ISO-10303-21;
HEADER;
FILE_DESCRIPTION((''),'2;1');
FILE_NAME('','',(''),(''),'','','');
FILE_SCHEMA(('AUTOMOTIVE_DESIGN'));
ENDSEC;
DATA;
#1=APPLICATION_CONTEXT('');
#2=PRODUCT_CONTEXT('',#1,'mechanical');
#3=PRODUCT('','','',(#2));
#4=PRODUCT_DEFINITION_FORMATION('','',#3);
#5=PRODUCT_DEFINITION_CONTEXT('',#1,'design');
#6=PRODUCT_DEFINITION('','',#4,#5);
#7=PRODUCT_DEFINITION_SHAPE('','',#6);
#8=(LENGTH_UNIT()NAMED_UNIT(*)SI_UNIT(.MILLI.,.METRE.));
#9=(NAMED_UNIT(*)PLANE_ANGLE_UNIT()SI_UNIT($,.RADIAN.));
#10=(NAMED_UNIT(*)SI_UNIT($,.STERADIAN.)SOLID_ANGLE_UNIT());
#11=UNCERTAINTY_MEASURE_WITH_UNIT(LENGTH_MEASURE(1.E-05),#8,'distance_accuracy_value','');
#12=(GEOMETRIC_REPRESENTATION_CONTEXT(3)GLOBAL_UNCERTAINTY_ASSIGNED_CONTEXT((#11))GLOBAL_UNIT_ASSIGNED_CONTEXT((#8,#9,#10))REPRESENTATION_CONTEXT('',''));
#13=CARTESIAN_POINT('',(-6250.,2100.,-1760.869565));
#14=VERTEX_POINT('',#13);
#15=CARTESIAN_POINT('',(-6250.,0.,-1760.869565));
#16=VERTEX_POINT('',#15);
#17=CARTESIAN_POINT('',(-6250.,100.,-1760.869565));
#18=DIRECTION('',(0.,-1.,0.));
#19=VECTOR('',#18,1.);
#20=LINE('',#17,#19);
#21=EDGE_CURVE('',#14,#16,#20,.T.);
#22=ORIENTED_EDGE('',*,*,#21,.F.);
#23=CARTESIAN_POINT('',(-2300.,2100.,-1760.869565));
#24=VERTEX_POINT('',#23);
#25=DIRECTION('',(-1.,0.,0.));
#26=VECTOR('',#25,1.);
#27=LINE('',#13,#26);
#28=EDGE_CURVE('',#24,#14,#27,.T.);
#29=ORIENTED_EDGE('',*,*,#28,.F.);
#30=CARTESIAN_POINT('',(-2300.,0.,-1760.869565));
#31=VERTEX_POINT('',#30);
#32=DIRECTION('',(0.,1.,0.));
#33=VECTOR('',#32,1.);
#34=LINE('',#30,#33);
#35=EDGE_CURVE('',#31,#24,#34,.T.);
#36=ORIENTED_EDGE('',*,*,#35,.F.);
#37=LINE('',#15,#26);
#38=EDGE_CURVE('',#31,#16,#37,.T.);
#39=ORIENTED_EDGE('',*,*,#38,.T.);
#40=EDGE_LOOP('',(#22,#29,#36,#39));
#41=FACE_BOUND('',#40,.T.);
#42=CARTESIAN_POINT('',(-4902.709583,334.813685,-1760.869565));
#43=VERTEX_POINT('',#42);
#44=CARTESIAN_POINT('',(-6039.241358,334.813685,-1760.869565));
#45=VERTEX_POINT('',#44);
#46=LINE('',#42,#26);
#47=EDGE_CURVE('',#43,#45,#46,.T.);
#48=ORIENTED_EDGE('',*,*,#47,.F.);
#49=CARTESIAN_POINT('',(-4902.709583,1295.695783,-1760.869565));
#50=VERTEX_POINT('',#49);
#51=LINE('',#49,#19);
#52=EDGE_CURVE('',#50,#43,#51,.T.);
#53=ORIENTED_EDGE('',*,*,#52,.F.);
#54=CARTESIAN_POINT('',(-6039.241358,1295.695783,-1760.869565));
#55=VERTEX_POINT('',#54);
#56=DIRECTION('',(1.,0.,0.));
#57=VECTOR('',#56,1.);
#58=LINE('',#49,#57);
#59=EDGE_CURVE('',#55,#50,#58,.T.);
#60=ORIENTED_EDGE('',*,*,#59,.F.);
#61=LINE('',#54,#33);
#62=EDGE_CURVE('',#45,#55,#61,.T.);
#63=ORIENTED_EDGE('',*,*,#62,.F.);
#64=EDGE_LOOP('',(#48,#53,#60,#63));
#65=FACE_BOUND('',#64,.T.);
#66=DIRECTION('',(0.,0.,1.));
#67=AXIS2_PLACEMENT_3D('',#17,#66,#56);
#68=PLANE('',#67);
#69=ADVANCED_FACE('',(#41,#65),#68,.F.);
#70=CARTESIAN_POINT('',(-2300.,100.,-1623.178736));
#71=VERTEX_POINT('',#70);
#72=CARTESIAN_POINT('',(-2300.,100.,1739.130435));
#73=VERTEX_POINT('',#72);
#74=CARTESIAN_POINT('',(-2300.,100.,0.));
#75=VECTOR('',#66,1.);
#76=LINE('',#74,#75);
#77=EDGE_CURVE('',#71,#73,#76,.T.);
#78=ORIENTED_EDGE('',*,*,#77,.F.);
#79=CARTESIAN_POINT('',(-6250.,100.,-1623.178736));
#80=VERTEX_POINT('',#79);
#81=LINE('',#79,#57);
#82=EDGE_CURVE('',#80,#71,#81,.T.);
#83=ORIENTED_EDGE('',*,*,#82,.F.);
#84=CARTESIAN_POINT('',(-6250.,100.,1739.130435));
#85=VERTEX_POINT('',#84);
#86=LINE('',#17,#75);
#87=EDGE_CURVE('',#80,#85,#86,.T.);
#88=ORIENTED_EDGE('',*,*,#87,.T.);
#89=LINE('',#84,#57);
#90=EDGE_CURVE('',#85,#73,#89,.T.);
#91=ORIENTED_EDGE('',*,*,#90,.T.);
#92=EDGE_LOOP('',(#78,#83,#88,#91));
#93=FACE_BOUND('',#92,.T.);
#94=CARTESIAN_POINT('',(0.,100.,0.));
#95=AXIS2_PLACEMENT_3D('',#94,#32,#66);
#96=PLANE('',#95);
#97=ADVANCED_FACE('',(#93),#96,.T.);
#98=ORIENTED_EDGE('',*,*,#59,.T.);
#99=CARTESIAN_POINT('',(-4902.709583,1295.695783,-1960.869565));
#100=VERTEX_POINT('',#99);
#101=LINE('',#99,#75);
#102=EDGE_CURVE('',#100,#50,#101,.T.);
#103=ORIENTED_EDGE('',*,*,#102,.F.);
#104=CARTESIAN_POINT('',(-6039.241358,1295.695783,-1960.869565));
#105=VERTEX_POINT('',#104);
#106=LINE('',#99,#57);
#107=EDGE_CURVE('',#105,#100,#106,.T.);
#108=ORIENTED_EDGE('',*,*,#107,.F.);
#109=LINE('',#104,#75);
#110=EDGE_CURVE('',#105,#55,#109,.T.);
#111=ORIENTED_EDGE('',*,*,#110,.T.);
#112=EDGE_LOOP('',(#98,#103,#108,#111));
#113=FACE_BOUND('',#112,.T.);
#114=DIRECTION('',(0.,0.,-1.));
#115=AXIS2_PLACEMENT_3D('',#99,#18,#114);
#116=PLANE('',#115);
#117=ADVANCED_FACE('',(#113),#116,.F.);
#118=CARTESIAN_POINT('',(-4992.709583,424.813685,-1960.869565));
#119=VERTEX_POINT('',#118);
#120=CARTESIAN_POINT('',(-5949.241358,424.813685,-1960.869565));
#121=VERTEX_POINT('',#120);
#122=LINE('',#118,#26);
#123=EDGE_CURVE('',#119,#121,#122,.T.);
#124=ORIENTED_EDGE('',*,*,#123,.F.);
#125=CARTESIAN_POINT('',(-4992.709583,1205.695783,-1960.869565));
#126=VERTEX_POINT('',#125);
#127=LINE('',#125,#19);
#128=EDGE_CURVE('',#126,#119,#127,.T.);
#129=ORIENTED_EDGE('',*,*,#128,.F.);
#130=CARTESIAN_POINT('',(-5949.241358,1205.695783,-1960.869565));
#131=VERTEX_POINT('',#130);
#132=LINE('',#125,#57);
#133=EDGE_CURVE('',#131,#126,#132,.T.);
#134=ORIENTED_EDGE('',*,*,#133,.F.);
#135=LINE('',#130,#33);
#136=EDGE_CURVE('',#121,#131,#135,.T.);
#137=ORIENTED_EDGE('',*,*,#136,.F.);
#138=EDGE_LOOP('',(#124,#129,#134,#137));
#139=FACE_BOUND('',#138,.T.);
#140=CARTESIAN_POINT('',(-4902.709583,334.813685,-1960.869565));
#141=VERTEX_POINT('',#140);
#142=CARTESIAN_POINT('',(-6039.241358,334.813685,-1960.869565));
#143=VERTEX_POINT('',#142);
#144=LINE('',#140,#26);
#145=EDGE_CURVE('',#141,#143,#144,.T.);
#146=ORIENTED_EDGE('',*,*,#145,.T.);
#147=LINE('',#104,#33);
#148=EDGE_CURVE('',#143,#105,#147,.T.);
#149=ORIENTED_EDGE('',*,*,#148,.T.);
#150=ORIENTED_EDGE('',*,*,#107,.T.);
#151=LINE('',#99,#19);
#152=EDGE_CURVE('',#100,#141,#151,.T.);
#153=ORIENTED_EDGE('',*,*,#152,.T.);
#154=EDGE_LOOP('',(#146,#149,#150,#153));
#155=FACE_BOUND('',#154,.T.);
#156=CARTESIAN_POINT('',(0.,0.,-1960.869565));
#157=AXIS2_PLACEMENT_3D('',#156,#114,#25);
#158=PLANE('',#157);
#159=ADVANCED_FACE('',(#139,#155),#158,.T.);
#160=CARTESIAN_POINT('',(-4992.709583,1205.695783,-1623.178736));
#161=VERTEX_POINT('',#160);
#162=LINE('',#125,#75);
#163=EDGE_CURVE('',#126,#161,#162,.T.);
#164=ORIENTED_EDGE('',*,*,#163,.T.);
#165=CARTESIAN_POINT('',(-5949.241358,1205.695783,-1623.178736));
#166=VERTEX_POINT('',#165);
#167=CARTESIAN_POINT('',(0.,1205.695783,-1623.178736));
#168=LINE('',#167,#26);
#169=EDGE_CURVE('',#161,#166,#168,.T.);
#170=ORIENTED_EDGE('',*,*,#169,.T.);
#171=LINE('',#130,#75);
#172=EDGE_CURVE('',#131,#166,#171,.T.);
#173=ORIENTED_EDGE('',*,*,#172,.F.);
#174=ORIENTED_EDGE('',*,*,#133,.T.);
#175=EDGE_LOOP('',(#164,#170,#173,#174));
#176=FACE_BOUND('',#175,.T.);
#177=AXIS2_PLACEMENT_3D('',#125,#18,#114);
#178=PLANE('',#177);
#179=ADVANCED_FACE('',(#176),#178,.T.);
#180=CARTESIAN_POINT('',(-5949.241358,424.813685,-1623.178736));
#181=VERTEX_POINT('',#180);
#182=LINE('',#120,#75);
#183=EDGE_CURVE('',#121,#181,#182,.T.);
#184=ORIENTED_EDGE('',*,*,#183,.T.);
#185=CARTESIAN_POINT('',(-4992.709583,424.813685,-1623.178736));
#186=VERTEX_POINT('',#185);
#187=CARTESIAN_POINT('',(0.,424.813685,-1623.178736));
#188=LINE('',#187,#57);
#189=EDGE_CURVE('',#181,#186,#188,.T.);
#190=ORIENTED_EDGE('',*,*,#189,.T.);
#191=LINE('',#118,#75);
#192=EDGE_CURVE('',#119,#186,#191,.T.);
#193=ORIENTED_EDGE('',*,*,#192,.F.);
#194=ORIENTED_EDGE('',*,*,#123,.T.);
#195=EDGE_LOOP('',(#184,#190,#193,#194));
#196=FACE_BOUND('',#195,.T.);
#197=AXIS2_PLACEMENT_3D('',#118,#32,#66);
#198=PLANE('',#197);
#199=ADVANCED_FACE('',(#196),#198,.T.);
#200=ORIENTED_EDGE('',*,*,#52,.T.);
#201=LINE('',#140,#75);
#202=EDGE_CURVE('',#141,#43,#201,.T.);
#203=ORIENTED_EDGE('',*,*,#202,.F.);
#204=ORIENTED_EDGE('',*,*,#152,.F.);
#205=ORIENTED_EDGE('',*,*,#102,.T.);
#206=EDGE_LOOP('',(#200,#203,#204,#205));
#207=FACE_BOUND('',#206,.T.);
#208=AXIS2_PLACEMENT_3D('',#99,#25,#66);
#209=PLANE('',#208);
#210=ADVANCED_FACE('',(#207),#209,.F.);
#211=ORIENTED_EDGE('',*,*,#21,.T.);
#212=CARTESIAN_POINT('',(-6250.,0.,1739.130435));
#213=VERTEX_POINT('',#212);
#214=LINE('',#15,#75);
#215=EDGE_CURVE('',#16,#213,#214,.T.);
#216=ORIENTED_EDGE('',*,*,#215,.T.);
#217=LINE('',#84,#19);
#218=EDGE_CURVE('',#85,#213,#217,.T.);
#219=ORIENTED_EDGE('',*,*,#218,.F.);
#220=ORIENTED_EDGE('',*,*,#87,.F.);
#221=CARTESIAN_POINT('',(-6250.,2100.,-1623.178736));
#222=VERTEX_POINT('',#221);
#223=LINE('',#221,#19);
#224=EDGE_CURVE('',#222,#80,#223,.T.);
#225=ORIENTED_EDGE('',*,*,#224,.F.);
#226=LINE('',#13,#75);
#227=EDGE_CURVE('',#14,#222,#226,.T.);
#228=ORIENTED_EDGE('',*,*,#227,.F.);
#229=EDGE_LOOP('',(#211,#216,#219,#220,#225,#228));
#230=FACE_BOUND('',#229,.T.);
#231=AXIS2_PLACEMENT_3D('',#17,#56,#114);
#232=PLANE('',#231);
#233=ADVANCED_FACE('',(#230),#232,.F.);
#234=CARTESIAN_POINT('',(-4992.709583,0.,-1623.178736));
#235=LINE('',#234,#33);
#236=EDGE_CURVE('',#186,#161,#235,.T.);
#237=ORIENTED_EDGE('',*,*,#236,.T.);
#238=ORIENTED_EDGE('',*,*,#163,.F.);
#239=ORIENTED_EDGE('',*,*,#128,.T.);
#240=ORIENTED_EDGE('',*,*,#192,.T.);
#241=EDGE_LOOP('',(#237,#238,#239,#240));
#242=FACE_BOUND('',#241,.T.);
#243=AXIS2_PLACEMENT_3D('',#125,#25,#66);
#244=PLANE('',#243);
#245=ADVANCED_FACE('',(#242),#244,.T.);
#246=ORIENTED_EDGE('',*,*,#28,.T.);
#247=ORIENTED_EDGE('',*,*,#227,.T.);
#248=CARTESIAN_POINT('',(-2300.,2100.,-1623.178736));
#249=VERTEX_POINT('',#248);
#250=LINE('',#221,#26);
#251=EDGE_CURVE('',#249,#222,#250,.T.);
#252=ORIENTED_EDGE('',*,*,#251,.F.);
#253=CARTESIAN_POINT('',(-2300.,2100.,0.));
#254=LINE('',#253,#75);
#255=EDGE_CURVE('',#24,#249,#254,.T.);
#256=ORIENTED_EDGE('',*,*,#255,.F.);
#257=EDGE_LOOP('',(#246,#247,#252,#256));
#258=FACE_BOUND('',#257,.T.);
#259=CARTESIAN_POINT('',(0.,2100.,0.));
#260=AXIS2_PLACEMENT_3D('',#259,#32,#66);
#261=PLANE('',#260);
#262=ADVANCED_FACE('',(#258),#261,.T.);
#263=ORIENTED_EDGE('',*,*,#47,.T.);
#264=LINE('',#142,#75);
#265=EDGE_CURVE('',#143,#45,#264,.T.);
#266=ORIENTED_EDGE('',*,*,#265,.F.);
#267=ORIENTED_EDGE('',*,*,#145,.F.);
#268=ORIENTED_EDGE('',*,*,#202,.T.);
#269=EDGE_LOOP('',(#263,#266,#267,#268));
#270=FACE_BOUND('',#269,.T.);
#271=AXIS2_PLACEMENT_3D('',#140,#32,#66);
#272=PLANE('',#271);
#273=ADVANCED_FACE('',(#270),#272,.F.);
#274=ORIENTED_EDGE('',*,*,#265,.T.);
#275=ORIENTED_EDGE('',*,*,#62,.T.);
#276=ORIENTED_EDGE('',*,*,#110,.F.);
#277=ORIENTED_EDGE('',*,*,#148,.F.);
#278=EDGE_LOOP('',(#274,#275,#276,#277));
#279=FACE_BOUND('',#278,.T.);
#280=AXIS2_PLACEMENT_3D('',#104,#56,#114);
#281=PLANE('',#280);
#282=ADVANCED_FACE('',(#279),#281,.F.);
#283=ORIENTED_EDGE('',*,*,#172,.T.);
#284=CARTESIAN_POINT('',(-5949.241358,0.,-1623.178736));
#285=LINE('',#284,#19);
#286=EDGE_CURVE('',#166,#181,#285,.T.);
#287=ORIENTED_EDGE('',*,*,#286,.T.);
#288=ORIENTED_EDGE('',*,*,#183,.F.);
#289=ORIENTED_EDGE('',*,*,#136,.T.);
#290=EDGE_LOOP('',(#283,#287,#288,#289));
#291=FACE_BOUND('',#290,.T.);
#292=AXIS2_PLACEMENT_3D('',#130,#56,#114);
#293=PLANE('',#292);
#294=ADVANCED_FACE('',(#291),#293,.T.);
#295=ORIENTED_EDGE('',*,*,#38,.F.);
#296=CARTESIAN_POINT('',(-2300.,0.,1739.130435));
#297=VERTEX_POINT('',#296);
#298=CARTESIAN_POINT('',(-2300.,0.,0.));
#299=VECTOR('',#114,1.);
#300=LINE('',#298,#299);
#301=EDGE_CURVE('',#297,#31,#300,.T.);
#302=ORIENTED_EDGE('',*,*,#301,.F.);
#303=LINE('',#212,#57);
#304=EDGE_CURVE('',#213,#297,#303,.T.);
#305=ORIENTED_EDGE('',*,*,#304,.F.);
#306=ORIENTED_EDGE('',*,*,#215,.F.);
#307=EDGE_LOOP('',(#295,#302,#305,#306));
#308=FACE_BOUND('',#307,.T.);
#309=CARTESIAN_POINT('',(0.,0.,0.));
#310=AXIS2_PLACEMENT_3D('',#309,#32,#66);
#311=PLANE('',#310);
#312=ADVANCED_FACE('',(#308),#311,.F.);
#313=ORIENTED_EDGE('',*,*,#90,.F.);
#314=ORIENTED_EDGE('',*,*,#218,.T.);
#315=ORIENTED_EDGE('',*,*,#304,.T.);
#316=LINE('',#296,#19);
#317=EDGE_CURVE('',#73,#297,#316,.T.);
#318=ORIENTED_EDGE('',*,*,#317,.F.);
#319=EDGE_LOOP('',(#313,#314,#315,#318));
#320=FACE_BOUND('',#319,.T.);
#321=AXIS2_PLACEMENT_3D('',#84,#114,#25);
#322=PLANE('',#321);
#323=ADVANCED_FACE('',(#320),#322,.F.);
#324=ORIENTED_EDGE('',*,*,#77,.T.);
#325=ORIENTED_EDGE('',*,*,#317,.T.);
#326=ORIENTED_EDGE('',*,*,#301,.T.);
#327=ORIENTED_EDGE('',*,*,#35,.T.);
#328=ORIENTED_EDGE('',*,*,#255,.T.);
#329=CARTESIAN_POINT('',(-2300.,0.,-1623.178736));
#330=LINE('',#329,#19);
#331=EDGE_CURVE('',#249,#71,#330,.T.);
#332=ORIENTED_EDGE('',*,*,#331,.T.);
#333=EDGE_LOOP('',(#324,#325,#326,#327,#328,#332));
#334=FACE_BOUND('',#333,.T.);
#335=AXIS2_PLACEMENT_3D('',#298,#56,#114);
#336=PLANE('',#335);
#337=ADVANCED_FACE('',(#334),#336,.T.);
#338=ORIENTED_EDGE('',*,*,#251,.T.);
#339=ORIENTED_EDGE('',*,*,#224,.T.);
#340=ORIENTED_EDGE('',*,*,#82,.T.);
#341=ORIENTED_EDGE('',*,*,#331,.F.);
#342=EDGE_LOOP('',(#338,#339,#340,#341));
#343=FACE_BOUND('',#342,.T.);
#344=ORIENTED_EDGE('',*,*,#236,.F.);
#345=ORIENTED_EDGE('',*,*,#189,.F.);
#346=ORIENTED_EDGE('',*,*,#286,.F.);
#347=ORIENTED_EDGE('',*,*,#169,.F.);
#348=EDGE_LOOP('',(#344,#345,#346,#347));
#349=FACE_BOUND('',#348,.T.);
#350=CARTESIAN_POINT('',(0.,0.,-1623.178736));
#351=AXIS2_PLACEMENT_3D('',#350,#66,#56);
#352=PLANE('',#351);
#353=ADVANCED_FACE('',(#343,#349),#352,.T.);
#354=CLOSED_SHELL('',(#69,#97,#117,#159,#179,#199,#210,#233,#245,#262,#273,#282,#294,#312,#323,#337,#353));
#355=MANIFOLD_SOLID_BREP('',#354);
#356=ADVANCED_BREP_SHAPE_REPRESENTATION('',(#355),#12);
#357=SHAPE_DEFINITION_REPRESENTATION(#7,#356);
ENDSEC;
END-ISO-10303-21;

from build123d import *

# Parameters (mm, degrees)
SKETCH1_W               = 3000
SKETCH1_H               = 3500
BOSS_EXTRUDE1_DEPTH     = 100
SKETCH2_W               = 3000
SKETCH2_H               = 912.690829392
BOSS_EXTRUDE2_DEPTH     = 2000
SKETCH3_W               = 1136.531775123
SKETCH3_H               = 960.882098035
SKETCH3_W_2             = 956.531775123
SKETCH3_H_2             = 780.882098035
BOSS_EXTRUDE3_DEPTH     = 200
SKETCH4_W               = 3000
SKETCH4_H               = 2000
CUT_EXTRUDE1_DEPTH      = 775
CUT_EXTRUDE2_DEPTH      = 7465.750498175
CUT_EXTRUDE2_DEPTH_BACK = 7465.750498175
SKETCH5_W               = 956.531775123
SKETCH5_H               = 780.882098035
BOSS_EXTRUDE4_DEPTH     = 950


with BuildPart() as part:
    # Sketch1 → Boss-Extrude1 (new body)
    with BuildSketch(Plane(origin=(0, 0, 0), x_dir=(1, 0, 0), z_dir=(0, 1, 0))):
        with Locations((-4750, 10.869565217)):
            Rectangle(SKETCH1_W, SKETCH1_H)
    extrude(amount=BOSS_EXTRUDE1_DEPTH)

    # Sketch2 → Boss-Extrude2 (add)
    with BuildSketch(Plane(origin=(0, 100, 0), x_dir=(1, 0, 0), z_dir=(0, 1, 0))):
        with Locations((-4750, 1304.524150521)):
            Rectangle(SKETCH2_W, SKETCH2_H)
    extrude(amount=BOSS_EXTRUDE2_DEPTH)

    # Sketch3 → Boss-Extrude3 (add)
    with BuildSketch(Plane(origin=(0, 0, -1760.869565217), x_dir=(-1, 0, 0), z_dir=(0, 0, -1))):
        with Locations((5470.975470672, 815.25473368)):
            Rectangle(SKETCH3_W, SKETCH3_H)
        with Locations((5470.975470672, 815.25473368)):
            Rectangle(SKETCH3_W_2, SKETCH3_H_2, mode=Mode.SUBTRACT)
    extrude(amount=BOSS_EXTRUDE3_DEPTH)

    # Sketch4 → Cut-Extrude1 (cut)
    with BuildSketch(Plane.XY.offset(-848.178735825)):
        with Locations((-4750, 1100)):
            Rectangle(SKETCH4_W, SKETCH4_H)
    extrude(amount=-CUT_EXTRUDE1_DEPTH, mode=Mode.SUBTRACT)

    # Sketch5 → Cut-Extrude2 (cut, two sides: drawn at the far end of the back side and taken through both)
    with BuildSketch(Plane(origin=(0, 0, -1760.869565217), x_dir=(-1, 0, 0), z_dir=(0, 0, -1)).offset(-CUT_EXTRUDE2_DEPTH_BACK)):
        with Locations((5470.975470672, 815.25473368)):
            Rectangle(SKETCH5_W, SKETCH5_H)
    extrude(amount=CUT_EXTRUDE2_DEPTH + CUT_EXTRUDE2_DEPTH_BACK, mode=Mode.SUBTRACT)

    # Sketch6 → Boss-Extrude4 (add)
    with BuildSketch(Plane(origin=(-3250, 0, 0), x_dir=(0, 0, -1), z_dir=(1, 0, 0))):
        Polygon((1760.869565217, 0), (1760.869565217, 2100), (1623.178735825, 2100), (1623.178735825, 100), (-1739.130434783, 100), (-1739.130434783, 0), (1620.900155495, 0), (1623.178735825, 0), align=None)
    extrude(amount=BOSS_EXTRUDE4_DEPTH)


solid = part.part
